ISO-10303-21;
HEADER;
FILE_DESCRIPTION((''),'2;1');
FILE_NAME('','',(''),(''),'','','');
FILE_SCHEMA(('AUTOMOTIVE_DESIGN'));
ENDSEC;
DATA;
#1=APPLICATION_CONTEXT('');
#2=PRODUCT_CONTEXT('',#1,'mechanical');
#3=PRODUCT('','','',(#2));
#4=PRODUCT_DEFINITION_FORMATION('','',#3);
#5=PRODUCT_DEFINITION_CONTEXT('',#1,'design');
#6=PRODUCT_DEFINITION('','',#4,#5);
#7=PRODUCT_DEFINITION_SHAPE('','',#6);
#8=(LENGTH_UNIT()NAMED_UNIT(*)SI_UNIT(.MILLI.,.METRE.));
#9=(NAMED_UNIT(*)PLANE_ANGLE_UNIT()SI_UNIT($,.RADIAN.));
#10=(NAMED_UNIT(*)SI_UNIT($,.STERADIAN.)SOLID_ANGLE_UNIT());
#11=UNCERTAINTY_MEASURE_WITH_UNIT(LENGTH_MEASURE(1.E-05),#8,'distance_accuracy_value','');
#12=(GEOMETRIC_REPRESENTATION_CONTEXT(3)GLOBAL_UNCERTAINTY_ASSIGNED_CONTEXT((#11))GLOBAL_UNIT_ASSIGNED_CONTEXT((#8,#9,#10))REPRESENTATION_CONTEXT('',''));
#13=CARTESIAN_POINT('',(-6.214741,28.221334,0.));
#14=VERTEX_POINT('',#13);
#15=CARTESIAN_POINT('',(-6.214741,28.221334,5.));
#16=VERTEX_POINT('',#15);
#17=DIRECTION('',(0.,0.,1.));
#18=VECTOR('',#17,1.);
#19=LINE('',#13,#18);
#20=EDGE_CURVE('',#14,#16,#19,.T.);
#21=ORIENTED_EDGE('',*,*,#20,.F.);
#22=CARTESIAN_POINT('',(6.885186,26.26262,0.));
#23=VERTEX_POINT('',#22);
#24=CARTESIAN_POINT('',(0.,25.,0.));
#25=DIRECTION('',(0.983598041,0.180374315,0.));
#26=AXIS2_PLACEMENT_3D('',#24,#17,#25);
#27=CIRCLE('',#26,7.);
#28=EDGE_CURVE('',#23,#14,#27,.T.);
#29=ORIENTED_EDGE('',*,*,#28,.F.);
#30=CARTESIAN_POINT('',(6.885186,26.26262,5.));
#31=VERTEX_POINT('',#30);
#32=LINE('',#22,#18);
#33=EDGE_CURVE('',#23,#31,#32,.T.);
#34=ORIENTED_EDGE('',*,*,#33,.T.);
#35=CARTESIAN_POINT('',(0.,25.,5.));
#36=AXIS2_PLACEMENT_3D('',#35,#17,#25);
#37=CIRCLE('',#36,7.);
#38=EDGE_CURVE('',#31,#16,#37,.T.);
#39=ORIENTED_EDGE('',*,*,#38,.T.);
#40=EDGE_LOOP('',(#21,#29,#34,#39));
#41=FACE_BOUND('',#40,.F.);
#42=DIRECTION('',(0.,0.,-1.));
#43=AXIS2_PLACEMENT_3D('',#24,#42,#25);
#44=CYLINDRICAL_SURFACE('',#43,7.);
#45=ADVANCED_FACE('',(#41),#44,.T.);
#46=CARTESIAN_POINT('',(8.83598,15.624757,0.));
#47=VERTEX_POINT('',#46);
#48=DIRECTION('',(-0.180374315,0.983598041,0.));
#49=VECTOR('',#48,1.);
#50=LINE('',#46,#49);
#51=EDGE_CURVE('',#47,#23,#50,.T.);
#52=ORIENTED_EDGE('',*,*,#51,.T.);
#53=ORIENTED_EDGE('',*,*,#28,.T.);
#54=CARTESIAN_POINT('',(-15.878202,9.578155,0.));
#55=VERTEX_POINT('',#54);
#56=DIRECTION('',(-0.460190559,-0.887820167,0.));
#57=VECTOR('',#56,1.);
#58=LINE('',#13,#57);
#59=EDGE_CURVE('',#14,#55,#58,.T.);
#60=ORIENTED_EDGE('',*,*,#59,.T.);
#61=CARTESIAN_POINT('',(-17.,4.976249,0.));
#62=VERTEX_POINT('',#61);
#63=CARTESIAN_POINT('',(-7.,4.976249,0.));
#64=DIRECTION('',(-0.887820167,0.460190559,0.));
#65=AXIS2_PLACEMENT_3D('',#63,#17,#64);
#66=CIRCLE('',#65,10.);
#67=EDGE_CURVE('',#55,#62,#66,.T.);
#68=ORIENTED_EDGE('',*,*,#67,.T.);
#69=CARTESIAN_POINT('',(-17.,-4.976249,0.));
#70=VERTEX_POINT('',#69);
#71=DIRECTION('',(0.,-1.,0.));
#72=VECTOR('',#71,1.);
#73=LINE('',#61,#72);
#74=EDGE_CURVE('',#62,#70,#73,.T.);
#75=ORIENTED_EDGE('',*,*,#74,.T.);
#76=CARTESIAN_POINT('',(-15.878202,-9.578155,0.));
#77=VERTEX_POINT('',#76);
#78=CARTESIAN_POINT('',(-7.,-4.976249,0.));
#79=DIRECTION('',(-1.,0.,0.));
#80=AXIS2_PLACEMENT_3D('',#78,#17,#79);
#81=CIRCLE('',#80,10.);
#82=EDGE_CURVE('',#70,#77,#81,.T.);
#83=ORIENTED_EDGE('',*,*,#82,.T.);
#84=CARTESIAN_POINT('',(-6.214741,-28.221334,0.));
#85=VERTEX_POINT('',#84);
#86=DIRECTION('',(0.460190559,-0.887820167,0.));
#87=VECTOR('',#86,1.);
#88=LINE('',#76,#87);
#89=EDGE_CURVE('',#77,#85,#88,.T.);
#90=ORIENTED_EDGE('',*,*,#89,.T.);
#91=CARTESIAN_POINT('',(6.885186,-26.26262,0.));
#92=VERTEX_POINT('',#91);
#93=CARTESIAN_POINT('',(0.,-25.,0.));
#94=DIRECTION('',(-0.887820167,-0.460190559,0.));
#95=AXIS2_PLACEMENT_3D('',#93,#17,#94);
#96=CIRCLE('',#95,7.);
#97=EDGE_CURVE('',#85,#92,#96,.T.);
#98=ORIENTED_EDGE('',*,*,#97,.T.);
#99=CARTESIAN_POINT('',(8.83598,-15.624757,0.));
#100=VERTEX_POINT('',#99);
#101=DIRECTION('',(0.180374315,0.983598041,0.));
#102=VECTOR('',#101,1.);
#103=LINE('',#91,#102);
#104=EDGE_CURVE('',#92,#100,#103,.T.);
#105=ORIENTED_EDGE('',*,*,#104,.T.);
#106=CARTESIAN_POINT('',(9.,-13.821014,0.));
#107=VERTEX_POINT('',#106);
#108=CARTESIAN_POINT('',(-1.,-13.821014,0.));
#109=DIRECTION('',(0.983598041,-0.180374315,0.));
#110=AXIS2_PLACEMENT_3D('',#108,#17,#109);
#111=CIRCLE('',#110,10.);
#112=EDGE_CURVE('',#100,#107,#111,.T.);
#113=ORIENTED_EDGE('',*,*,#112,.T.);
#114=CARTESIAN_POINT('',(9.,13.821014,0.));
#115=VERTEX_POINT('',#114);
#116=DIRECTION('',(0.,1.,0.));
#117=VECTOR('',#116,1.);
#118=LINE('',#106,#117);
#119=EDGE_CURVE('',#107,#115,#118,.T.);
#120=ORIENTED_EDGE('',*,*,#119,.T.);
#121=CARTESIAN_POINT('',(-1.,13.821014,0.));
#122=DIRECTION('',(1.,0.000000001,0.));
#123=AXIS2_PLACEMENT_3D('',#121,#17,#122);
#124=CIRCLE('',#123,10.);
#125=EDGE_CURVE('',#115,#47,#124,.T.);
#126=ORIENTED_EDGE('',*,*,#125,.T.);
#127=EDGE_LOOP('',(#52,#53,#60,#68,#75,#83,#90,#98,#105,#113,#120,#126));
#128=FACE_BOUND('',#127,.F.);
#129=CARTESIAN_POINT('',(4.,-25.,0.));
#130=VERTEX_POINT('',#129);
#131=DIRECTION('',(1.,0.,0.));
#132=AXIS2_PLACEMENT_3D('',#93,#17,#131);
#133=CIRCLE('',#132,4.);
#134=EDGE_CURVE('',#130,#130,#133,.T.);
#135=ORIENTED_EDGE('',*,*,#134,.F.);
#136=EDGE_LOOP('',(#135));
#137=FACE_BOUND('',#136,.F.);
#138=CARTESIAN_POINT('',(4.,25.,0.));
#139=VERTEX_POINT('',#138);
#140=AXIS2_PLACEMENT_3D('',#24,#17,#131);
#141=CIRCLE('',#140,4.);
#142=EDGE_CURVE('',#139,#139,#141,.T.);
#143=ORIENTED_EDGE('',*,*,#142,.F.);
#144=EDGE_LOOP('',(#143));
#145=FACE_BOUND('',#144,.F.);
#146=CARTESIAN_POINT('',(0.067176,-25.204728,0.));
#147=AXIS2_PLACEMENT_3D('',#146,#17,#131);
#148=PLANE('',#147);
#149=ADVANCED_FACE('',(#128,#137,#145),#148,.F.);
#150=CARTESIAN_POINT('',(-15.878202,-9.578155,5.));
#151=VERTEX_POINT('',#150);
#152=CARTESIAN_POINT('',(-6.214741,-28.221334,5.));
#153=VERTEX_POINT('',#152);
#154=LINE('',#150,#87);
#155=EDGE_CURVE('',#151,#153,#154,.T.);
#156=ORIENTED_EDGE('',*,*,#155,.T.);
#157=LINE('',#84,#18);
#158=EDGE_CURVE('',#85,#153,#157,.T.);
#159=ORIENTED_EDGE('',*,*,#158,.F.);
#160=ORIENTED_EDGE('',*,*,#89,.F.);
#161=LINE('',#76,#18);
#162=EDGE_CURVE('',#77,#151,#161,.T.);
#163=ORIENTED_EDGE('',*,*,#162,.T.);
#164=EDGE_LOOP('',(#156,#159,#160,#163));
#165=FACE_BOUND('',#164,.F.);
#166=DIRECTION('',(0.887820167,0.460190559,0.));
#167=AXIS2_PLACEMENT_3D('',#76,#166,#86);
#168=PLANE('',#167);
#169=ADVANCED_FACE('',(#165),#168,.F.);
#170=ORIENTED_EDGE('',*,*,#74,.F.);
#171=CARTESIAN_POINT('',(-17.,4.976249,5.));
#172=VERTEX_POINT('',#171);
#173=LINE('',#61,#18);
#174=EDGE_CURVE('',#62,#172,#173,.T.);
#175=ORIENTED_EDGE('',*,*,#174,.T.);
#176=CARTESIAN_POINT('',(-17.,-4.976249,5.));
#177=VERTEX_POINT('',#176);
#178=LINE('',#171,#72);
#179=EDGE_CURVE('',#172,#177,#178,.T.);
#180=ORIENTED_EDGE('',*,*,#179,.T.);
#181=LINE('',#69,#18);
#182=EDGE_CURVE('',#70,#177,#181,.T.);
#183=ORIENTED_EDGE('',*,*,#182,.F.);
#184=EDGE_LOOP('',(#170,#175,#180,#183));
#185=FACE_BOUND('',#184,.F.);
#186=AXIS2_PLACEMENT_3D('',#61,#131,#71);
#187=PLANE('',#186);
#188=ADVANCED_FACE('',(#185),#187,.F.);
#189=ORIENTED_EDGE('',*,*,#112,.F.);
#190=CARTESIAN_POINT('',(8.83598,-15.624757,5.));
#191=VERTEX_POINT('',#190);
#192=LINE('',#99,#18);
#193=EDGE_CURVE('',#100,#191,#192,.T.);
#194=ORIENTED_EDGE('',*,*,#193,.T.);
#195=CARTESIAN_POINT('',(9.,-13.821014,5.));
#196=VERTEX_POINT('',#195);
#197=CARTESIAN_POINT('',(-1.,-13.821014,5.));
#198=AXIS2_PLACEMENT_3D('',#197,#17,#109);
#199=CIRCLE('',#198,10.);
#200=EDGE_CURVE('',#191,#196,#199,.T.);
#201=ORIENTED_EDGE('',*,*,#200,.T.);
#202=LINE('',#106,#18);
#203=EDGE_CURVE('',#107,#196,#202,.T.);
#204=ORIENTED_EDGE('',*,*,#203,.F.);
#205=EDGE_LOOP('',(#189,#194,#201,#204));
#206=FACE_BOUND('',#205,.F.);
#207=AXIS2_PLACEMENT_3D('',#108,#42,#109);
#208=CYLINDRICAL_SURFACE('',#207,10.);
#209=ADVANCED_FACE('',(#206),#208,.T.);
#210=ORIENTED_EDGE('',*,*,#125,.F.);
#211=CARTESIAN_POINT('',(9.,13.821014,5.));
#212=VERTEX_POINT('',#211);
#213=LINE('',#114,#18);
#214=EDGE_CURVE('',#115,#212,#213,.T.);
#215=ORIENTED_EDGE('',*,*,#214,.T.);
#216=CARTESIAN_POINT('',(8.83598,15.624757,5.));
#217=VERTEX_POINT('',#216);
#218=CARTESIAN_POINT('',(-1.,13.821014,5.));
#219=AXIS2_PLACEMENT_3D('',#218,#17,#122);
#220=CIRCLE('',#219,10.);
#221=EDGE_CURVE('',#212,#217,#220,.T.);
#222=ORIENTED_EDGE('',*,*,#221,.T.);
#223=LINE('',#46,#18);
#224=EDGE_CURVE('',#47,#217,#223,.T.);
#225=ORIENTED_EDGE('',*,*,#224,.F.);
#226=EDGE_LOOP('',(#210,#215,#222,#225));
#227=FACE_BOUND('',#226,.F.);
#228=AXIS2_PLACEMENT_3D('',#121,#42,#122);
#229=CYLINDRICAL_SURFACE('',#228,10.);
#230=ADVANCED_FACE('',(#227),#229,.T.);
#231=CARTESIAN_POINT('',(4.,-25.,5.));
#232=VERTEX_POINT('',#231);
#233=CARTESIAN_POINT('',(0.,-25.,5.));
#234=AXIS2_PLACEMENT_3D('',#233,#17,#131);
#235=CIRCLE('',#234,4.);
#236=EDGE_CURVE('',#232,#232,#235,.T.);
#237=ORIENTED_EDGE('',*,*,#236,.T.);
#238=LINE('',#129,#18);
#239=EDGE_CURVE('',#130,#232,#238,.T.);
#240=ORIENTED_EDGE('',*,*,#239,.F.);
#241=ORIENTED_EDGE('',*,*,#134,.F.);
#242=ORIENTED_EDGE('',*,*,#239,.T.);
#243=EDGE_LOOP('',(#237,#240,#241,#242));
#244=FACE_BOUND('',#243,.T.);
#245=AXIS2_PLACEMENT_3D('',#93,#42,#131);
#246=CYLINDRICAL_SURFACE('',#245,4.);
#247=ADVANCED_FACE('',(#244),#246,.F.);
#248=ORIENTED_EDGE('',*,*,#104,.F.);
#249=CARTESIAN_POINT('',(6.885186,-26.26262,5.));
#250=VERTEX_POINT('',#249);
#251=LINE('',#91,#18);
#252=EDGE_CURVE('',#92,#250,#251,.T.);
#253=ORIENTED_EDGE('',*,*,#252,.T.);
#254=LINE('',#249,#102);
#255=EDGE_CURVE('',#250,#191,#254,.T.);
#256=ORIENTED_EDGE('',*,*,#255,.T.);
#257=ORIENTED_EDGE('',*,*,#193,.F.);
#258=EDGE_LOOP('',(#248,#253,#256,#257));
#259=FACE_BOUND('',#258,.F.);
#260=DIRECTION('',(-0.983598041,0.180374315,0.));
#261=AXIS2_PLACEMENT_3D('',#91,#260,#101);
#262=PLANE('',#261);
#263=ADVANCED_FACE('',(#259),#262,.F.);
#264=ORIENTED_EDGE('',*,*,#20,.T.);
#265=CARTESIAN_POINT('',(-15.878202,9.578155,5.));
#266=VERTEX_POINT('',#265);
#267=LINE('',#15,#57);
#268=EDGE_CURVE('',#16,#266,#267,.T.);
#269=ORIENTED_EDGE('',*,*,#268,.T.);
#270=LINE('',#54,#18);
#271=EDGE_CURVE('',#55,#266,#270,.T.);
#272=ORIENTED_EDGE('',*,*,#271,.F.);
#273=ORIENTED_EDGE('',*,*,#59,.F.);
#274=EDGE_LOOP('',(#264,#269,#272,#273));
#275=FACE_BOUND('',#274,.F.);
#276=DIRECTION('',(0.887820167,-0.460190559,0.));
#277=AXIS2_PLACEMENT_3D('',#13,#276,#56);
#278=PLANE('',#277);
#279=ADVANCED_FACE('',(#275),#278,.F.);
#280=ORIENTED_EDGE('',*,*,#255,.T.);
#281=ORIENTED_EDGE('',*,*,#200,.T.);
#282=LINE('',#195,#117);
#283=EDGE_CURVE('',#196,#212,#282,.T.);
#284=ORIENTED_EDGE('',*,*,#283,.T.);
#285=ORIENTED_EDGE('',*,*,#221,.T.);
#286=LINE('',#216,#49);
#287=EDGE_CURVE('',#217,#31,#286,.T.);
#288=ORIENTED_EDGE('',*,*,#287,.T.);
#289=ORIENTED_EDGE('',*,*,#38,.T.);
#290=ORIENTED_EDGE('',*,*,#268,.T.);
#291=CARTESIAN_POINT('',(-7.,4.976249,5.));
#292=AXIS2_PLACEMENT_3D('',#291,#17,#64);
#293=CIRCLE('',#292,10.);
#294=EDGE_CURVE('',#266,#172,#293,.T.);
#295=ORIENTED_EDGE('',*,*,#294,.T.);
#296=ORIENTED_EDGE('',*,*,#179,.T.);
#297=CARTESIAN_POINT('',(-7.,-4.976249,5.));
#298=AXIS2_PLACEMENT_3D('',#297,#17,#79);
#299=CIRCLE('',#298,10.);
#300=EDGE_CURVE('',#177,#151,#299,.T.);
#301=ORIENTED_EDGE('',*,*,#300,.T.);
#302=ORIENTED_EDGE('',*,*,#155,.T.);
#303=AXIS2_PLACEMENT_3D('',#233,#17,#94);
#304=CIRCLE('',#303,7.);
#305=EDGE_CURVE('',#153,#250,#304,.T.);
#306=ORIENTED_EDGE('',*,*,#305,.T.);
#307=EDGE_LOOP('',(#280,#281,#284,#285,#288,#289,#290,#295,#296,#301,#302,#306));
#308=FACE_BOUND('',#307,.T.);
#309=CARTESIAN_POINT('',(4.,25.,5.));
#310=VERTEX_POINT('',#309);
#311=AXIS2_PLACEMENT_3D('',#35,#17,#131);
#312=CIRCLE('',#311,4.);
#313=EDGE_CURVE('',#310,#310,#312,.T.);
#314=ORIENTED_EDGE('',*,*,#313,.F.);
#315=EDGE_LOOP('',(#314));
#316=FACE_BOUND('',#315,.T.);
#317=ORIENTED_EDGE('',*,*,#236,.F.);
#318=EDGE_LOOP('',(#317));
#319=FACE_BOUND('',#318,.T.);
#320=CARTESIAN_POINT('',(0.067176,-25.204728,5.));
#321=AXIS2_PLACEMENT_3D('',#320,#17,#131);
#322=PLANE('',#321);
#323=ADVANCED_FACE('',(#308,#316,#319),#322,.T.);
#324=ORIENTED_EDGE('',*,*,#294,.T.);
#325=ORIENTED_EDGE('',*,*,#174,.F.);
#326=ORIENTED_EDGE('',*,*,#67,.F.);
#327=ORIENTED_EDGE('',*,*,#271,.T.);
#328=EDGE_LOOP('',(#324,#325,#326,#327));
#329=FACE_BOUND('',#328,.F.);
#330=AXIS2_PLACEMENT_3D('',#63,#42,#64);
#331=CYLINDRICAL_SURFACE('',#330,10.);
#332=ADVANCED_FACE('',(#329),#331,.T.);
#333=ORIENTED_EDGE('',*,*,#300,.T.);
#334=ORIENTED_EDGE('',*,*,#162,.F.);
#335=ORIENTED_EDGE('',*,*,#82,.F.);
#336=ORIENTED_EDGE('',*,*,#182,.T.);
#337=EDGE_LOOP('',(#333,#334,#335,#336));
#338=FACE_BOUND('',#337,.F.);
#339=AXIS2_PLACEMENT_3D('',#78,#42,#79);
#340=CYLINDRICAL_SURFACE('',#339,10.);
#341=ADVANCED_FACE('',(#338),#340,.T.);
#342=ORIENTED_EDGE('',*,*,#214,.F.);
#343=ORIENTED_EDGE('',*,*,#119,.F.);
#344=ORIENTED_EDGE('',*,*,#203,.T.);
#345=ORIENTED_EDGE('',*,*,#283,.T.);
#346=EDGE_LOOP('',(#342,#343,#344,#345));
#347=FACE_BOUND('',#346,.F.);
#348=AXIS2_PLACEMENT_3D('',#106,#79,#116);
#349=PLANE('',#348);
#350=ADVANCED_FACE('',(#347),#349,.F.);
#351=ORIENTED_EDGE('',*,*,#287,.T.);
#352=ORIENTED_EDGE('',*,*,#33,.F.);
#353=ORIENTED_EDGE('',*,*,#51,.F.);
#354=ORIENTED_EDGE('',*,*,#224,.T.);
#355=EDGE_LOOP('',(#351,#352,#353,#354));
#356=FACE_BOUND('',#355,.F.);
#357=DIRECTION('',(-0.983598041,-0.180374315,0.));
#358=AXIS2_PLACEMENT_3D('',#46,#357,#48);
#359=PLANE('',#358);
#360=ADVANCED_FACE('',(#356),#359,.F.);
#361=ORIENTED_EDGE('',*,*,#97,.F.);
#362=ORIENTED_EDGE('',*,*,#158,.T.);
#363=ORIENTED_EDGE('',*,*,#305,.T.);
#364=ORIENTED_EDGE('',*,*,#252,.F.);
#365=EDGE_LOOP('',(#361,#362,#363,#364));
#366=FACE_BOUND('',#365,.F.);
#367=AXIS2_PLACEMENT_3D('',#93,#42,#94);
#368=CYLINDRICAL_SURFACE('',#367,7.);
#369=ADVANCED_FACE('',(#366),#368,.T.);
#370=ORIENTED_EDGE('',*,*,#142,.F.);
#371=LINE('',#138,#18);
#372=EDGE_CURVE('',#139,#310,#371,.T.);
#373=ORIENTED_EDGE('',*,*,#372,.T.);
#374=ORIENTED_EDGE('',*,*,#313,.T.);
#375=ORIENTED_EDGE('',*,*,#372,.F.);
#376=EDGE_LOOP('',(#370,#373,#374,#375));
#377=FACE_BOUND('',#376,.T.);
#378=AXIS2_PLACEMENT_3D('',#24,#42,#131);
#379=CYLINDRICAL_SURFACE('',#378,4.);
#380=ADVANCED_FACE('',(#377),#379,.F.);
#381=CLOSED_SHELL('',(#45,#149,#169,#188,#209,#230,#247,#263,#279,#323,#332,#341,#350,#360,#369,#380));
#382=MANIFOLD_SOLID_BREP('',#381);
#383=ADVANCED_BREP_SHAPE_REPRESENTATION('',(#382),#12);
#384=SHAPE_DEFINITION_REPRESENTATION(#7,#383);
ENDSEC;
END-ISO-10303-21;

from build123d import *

# Parameters (mm, degrees)
SKETCH1_R           = 4
BOSS_EXTRUDE1_DEPTH = 5


with BuildPart() as part:
    # Sketch1 → Boss-Extrude1 (new body)
    # profile 1 of 11: a face of its own
    with BuildSketch(Plane.XY):
        with BuildLine():
            ThreePointArc((7, 25), (-1.657831686, 18.199147546), (-6.214741171, 28.221333912))
            Line((-6.214741171, 28.221333912), (-15.878201673, 9.578154573))
            ThreePointArc((-15.878201673, 9.578154573), (-16.715503506, 7.344579965), (-17, 4.976248984))
            Line((-17, 4.976248984), (-17, -4.976248984))
            ThreePointArc((-17, -4.976248984), (-16.715503506, -7.344579965), (-15.878201673, -9.578154573))
            Line((-15.878201673, -9.578154573), (-6.214741171, -28.221333912))
            ThreePointArc((-6.214741171, -28.221333912), (-1.657831686, -18.199147546), (7, -25))
            ThreePointArc((7, -25), (6.97123748, -25.633914815), (6.885186288, -26.262620205))
            Line((6.885186288, -26.262620205), (8.835980411, -15.624757058))
            ThreePointArc((8.835980411, -15.624757058), (8.958910686, -14.7266065), (9, -13.821013908))
            Line((9, -13.821013908), (9, 13.821013908))
            ThreePointArc((9, 13.821013908), (8.958910686, 14.7266065), (8.835980411, 15.624757058))
            Line((8.835980411, 15.624757058), (6.885186288, 26.262620205))
            ThreePointArc((6.885186288, 26.262620205), (6.97123748, 25.633914815), (7, 25))
        make_face()
    # profile 2 of 11: a face of its own
    with BuildSketch(Plane.XY):
        with BuildLine():
            ThreePointArc((6.885186288, 26.262620205), (1.035139609, 31.923040227), (-6.214741171, 28.221333912))
            ThreePointArc((-6.214741171, 28.221333912), (-1.657831686, 18.199147546), (7, 25))
            ThreePointArc((7, 25), (6.97123748, 25.633914815), (6.885186288, 26.262620205))
        make_face()
        with Locations((0, 25)):
            Circle(SKETCH1_R, mode=Mode.SUBTRACT)
    # profile 3 of 11: a face of its own
    with BuildSketch(Plane.XY):
        with BuildLine():
            ThreePointArc((6.885186288, 26.262620205), (1.035139609, 31.923040227), (-6.214741171, 28.221333912))
            ThreePointArc((-6.214741171, 28.221333912), (-1.657831686, 18.199147546), (7, 25))
            ThreePointArc((7, 25), (6.97123748, 25.633914815), (6.885186288, 26.262620205))
        make_face()
        with Locations((0, 25)):
            Circle(SKETCH1_R, mode=Mode.SUBTRACT)
    # profile 4 of 11: a face of its own
    with BuildSketch(Plane.XY):
        with BuildLine():
            ThreePointArc((6.885186288, 26.262620205), (1.035139609, 31.923040227), (-6.214741171, 28.221333912))
            ThreePointArc((-6.214741171, 28.221333912), (-1.657831686, 18.199147546), (7, 25))
            ThreePointArc((7, 25), (6.97123748, 25.633914815), (6.885186288, 26.262620205))
        make_face()
        with Locations((0, 25)):
            Circle(SKETCH1_R, mode=Mode.SUBTRACT)
    # profile 5 of 11: a face of its own
    with BuildSketch(Plane.XY):
        with BuildLine():
            ThreePointArc((6.885186288, 26.262620205), (1.035139609, 31.923040227), (-6.214741171, 28.221333912))
            ThreePointArc((-6.214741171, 28.221333912), (-1.657831686, 18.199147546), (7, 25))
            ThreePointArc((7, 25), (6.97123748, 25.633914815), (6.885186288, 26.262620205))
        make_face()
        with Locations((0, 25)):
            Circle(SKETCH1_R, mode=Mode.SUBTRACT)
    # profile 6 of 11: a face of its own
    with BuildSketch(Plane.XY):
        with BuildLine():
            ThreePointArc((6.885186288, 26.262620205), (1.035139609, 31.923040227), (-6.214741171, 28.221333912))
            ThreePointArc((-6.214741171, 28.221333912), (-1.657831686, 18.199147546), (7, 25))
            ThreePointArc((7, 25), (6.97123748, 25.633914815), (6.885186288, 26.262620205))
        make_face()
        with Locations((0, 25)):
            Circle(SKETCH1_R, mode=Mode.SUBTRACT)
    # profile 7 of 11: a face of its own
    with BuildSketch(Plane.XY):
        with BuildLine():
            ThreePointArc((7, -25), (-1.657831686, -18.199147546), (-6.214741171, -28.221333912))
            ThreePointArc((-6.214741171, -28.221333912), (1.035139609, -31.923040227), (6.885186288, -26.262620205))
            ThreePointArc((6.885186288, -26.262620205), (6.97123748, -25.633914815), (7, -25))
        make_face()
        with Locations((0, -25)):
            Circle(SKETCH1_R, mode=Mode.SUBTRACT)
    # profile 8 of 11: a face of its own
    with BuildSketch(Plane.XY):
        with BuildLine():
            ThreePointArc((7, -25), (-1.657831686, -18.199147546), (-6.214741171, -28.221333912))
            ThreePointArc((-6.214741171, -28.221333912), (1.035139609, -31.923040227), (6.885186288, -26.262620205))
            ThreePointArc((6.885186288, -26.262620205), (6.97123748, -25.633914815), (7, -25))
        make_face()
        with Locations((0, -25)):
            Circle(SKETCH1_R, mode=Mode.SUBTRACT)
    # profile 9 of 11: a face of its own
    with BuildSketch(Plane.XY):
        with BuildLine():
            ThreePointArc((7, -25), (-1.657831686, -18.199147546), (-6.214741171, -28.221333912))
            ThreePointArc((-6.214741171, -28.221333912), (1.035139609, -31.923040227), (6.885186288, -26.262620205))
            ThreePointArc((6.885186288, -26.262620205), (6.97123748, -25.633914815), (7, -25))
        make_face()
        with Locations((0, -25)):
            Circle(SKETCH1_R, mode=Mode.SUBTRACT)
    # profile 10 of 11: a face of its own
    with BuildSketch(Plane.XY):
        with BuildLine():
            ThreePointArc((7, -25), (-1.657831686, -18.199147546), (-6.214741171, -28.221333912))
            ThreePointArc((-6.214741171, -28.221333912), (1.035139609, -31.923040227), (6.885186288, -26.262620205))
            ThreePointArc((6.885186288, -26.262620205), (6.97123748, -25.633914815), (7, -25))
        make_face()
        with Locations((0, -25)):
            Circle(SKETCH1_R, mode=Mode.SUBTRACT)
    # profile 11 of 11: a face of its own
    with BuildSketch(Plane.XY):
        with BuildLine():
            ThreePointArc((7, -25), (-1.657831686, -18.199147546), (-6.214741171, -28.221333912))
            ThreePointArc((-6.214741171, -28.221333912), (1.035139609, -31.923040227), (6.885186288, -26.262620205))
            ThreePointArc((6.885186288, -26.262620205), (6.97123748, -25.633914815), (7, -25))
        make_face()
        with Locations((0, -25)):
            Circle(SKETCH1_R, mode=Mode.SUBTRACT)
    extrude(amount=BOSS_EXTRUDE1_DEPTH)


solid = part.part
